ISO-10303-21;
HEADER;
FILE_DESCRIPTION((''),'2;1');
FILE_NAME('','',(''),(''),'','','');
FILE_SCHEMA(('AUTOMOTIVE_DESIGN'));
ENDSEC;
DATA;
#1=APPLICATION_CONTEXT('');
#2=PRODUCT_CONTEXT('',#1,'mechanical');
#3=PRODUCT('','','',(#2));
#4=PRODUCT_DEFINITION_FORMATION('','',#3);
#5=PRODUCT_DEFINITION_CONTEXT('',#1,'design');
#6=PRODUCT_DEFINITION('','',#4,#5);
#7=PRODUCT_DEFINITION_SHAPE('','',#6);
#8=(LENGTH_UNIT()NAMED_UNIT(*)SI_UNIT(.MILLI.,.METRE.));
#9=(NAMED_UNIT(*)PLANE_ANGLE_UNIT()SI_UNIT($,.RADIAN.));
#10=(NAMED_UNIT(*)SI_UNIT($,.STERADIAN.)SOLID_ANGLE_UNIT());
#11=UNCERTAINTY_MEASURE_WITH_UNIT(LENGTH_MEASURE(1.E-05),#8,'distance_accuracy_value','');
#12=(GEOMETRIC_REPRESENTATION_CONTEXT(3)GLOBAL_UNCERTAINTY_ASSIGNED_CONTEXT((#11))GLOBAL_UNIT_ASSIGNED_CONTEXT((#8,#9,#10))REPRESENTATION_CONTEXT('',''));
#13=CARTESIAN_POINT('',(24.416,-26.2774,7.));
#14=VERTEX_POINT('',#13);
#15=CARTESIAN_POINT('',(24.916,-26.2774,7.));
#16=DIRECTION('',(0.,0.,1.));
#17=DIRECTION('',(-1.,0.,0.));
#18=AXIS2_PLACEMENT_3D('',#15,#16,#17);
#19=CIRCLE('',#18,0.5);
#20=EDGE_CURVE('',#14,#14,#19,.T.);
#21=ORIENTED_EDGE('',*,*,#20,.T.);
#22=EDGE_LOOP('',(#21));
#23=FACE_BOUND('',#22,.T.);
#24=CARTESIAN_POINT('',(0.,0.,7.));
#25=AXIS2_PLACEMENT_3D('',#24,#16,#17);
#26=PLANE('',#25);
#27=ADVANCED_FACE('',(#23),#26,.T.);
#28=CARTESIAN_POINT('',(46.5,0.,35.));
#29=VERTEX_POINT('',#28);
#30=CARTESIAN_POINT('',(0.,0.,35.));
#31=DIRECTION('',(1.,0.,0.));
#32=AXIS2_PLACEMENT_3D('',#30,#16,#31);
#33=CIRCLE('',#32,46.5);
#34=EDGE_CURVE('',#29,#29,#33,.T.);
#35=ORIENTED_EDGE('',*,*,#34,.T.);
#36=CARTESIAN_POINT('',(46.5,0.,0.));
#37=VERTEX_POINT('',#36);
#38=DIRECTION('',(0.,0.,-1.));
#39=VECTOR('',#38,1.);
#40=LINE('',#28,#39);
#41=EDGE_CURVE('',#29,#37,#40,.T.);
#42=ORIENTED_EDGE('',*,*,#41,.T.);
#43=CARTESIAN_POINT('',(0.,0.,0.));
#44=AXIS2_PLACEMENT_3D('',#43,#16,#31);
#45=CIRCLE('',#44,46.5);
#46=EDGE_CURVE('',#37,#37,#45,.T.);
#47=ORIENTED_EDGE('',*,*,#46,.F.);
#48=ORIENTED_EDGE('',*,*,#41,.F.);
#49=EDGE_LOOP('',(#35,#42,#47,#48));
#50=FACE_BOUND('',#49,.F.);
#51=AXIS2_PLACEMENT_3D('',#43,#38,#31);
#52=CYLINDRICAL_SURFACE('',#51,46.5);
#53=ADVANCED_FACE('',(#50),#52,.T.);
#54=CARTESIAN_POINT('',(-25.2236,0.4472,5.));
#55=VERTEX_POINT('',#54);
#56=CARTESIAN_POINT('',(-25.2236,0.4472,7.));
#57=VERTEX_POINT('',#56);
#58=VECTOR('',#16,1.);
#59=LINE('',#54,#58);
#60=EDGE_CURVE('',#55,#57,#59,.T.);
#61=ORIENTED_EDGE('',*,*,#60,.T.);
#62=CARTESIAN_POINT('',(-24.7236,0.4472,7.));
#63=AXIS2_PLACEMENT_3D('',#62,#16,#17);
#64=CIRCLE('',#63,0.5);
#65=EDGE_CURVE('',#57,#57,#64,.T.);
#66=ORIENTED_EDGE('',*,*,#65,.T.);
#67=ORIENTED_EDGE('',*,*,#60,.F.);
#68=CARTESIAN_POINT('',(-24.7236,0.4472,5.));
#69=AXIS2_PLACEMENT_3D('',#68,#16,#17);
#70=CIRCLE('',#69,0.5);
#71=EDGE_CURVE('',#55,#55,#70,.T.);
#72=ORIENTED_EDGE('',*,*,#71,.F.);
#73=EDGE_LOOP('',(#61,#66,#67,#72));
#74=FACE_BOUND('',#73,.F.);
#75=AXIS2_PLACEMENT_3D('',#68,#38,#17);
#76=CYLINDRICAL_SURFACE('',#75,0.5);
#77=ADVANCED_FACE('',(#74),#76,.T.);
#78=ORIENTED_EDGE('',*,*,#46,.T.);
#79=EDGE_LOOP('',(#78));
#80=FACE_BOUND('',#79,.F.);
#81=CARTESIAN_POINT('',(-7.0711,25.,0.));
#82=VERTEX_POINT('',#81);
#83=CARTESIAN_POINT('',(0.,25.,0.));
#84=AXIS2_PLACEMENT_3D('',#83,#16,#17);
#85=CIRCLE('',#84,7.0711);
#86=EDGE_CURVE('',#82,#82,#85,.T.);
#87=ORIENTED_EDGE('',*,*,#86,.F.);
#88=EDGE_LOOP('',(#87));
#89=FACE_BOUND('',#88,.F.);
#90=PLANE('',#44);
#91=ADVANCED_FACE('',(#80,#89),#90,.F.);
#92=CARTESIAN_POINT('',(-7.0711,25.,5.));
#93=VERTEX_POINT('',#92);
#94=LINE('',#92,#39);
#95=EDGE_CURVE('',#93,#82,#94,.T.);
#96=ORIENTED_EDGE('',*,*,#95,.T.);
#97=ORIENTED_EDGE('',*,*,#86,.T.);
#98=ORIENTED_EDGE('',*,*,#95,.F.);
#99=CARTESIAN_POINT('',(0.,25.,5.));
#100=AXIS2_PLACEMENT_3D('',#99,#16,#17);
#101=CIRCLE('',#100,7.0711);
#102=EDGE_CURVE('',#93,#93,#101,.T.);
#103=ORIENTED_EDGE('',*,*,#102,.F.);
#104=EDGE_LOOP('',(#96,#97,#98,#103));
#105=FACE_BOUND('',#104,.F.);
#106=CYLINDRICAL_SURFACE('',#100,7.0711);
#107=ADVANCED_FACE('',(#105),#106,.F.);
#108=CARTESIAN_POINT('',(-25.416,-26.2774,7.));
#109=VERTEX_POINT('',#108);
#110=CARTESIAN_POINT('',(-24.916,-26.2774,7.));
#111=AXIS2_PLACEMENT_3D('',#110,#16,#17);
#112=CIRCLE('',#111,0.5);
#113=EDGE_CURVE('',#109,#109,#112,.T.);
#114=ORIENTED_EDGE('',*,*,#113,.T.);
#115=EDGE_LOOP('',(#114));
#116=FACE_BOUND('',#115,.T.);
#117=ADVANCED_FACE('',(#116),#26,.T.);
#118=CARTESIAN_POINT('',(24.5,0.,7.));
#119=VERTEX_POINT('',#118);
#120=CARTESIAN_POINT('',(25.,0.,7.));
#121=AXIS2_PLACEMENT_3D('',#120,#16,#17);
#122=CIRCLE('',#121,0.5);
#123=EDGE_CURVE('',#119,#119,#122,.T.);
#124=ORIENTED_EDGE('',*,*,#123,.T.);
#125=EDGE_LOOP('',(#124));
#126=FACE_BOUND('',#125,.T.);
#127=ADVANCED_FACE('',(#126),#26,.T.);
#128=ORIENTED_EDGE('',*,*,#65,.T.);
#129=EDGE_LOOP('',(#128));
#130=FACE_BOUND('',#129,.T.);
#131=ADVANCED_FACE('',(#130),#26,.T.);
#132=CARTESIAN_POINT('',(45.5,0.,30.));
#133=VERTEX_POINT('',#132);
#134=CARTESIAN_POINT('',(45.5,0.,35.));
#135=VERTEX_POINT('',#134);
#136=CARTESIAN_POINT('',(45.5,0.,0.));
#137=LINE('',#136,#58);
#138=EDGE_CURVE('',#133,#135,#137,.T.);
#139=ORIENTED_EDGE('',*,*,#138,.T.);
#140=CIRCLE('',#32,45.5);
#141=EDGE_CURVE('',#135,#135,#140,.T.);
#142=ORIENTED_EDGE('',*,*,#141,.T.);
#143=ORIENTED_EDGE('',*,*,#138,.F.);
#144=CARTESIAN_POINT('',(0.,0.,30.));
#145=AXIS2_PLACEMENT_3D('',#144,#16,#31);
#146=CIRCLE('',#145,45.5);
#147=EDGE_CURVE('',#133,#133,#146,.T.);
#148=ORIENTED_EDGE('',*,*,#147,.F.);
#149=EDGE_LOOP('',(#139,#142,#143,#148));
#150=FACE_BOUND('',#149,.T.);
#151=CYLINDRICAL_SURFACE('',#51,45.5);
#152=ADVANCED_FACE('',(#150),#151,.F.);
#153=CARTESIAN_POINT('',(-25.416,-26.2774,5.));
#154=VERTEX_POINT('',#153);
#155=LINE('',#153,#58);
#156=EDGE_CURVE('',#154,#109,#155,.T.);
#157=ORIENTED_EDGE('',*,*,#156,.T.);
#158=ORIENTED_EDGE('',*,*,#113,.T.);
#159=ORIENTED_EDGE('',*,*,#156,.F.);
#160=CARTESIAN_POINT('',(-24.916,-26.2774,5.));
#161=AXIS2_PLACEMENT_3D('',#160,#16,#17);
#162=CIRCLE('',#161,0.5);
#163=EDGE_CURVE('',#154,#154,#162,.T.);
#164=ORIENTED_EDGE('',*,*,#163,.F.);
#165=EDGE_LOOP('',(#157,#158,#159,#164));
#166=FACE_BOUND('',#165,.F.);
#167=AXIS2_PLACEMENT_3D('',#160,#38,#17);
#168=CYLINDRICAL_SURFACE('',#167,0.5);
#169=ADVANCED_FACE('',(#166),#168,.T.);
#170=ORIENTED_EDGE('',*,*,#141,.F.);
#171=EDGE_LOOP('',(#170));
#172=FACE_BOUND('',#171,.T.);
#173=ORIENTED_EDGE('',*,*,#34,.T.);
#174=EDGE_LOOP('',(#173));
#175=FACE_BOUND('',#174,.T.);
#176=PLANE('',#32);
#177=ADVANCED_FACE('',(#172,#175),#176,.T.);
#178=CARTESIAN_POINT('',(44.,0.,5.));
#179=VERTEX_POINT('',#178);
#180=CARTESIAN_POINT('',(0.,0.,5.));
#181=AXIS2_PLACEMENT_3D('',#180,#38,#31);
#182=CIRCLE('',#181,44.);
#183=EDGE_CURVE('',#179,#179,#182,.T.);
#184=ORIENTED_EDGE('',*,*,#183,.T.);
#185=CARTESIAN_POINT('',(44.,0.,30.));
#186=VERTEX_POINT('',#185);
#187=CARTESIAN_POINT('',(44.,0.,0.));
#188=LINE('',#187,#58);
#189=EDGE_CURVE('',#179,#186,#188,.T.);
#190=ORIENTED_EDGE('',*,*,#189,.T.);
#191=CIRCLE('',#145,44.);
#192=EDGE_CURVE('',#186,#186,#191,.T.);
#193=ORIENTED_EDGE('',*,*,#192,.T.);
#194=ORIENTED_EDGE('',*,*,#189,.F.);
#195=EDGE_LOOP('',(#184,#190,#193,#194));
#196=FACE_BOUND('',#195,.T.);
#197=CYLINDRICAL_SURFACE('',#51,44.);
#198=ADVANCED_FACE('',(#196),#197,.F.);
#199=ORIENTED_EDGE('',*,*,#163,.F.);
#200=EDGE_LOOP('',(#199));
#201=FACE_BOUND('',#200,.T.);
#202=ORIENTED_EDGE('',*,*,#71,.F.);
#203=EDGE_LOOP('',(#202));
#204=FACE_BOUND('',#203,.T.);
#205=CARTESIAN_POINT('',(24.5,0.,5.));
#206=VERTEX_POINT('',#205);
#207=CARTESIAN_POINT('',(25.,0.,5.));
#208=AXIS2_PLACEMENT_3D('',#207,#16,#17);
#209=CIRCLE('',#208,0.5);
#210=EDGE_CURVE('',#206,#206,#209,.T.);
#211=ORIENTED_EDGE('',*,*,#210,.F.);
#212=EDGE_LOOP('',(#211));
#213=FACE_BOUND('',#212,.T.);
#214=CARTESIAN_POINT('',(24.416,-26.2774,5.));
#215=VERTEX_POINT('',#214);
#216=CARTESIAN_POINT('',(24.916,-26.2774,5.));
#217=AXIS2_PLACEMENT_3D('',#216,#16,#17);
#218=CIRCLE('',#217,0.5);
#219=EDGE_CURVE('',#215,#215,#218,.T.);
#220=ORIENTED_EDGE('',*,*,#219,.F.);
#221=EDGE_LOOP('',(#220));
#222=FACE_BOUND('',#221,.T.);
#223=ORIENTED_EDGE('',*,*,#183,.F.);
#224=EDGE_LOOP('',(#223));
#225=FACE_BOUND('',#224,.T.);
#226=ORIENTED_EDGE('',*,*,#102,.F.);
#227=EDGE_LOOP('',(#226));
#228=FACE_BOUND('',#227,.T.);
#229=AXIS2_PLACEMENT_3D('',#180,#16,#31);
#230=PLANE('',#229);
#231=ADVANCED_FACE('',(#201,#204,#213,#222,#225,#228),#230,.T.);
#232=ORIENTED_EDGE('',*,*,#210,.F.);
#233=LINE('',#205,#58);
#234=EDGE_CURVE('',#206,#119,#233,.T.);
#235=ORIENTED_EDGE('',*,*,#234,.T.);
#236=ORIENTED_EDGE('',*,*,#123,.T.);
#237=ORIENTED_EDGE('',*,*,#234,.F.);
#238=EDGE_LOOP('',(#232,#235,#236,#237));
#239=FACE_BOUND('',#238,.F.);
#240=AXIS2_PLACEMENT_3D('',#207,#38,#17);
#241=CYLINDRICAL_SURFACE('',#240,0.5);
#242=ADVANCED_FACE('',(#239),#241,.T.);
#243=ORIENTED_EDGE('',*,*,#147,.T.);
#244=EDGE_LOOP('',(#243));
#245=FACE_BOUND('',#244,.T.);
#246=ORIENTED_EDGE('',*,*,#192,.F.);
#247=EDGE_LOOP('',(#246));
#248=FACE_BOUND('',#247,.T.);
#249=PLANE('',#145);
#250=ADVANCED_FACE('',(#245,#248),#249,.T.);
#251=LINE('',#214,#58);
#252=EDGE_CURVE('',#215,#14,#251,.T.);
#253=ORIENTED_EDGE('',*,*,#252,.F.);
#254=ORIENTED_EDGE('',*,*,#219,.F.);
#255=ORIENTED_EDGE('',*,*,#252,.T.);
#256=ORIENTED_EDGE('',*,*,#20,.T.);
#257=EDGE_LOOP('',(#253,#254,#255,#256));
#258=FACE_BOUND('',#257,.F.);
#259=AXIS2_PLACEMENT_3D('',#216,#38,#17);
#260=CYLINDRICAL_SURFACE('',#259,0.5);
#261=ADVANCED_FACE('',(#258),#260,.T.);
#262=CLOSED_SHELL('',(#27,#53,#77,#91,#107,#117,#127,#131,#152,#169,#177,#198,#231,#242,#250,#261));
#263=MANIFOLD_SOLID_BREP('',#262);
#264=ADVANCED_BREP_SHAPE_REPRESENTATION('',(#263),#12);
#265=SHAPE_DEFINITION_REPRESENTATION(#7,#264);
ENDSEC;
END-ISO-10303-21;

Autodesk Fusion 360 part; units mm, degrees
sketch "Sketch1" plane through (0, 0, 0) normal (0, 0, 1) x (1, 0, 0)
  circle A0 centre (0, 0) radius 45.5
  circle A1 centre (0, 0) radius 46.5
  circle A2 centre (0, 0) radius 44
  dimension "d1" = 91
  dimension "d2" = 93
  dimension "d3" = 88
extrude "Extrude1" add sketch "Sketch1" along normal blind 5 contours A0 | A1 | A2
extrude "Extrude2" add sketch "Sketch1" along normal blind 30 contours A0
extrude "Extrude3" add sketch "Sketch1" along normal blind 35 contours A1
sketch "Sketch2" plane through (0, 0, 5) normal (0, 0, 1) x (-1, 0, 0)
  circle A0 centre (0, 0) radius 44
  line L0 (-24.5, 0) -> (24.5, 0) construction
  line L1 (24.5, 0) -> (24.5, 26) construction
  line L2 (24.5, 26) -> (-24.5, 26) construction
  line L3 (-24.5, 26) -> (-24.5, 0) construction
  circle A1 centre (-24.916, 26.2774) radius 0.5
  circle A2 centre (-25, 0) radius 0.5
  circle A3 centre (24.916, 26.2774) radius 0.5
  circle A4 centre (24.7236, -0.4472) radius 0.5
  dimension "d11" = 49
  dimension "d12" = 26
  dimension "d13" = 1
  dimension "d14" = 1
  dimension "d15" = 1
  dimension "d16" = 1
extrude "Extrude4" add sketch "Sketch2" along normal blind 2 contours A1 | A2 | A3 | A4
sketch "Sketch3" plane through (0, 0, 5) normal (0, 0, 1) x (-1, 0, 0)
  circle A0 centre (-24.916, 26.2774) radius 0.5
  circle A1 centre (24.916, 26.2774) radius 0.5
  circle A2 centre (-25, 0) radius 0.5
  circle A3 centre (24.7236, -0.4472) radius 0.5
  circle A4 centre (0, 0) radius 44
  circle A5 centre (0, -25) radius 7.0711
extrude "Extrude5" cut sketch "Sketch3" against normal blind 6 contours A5
